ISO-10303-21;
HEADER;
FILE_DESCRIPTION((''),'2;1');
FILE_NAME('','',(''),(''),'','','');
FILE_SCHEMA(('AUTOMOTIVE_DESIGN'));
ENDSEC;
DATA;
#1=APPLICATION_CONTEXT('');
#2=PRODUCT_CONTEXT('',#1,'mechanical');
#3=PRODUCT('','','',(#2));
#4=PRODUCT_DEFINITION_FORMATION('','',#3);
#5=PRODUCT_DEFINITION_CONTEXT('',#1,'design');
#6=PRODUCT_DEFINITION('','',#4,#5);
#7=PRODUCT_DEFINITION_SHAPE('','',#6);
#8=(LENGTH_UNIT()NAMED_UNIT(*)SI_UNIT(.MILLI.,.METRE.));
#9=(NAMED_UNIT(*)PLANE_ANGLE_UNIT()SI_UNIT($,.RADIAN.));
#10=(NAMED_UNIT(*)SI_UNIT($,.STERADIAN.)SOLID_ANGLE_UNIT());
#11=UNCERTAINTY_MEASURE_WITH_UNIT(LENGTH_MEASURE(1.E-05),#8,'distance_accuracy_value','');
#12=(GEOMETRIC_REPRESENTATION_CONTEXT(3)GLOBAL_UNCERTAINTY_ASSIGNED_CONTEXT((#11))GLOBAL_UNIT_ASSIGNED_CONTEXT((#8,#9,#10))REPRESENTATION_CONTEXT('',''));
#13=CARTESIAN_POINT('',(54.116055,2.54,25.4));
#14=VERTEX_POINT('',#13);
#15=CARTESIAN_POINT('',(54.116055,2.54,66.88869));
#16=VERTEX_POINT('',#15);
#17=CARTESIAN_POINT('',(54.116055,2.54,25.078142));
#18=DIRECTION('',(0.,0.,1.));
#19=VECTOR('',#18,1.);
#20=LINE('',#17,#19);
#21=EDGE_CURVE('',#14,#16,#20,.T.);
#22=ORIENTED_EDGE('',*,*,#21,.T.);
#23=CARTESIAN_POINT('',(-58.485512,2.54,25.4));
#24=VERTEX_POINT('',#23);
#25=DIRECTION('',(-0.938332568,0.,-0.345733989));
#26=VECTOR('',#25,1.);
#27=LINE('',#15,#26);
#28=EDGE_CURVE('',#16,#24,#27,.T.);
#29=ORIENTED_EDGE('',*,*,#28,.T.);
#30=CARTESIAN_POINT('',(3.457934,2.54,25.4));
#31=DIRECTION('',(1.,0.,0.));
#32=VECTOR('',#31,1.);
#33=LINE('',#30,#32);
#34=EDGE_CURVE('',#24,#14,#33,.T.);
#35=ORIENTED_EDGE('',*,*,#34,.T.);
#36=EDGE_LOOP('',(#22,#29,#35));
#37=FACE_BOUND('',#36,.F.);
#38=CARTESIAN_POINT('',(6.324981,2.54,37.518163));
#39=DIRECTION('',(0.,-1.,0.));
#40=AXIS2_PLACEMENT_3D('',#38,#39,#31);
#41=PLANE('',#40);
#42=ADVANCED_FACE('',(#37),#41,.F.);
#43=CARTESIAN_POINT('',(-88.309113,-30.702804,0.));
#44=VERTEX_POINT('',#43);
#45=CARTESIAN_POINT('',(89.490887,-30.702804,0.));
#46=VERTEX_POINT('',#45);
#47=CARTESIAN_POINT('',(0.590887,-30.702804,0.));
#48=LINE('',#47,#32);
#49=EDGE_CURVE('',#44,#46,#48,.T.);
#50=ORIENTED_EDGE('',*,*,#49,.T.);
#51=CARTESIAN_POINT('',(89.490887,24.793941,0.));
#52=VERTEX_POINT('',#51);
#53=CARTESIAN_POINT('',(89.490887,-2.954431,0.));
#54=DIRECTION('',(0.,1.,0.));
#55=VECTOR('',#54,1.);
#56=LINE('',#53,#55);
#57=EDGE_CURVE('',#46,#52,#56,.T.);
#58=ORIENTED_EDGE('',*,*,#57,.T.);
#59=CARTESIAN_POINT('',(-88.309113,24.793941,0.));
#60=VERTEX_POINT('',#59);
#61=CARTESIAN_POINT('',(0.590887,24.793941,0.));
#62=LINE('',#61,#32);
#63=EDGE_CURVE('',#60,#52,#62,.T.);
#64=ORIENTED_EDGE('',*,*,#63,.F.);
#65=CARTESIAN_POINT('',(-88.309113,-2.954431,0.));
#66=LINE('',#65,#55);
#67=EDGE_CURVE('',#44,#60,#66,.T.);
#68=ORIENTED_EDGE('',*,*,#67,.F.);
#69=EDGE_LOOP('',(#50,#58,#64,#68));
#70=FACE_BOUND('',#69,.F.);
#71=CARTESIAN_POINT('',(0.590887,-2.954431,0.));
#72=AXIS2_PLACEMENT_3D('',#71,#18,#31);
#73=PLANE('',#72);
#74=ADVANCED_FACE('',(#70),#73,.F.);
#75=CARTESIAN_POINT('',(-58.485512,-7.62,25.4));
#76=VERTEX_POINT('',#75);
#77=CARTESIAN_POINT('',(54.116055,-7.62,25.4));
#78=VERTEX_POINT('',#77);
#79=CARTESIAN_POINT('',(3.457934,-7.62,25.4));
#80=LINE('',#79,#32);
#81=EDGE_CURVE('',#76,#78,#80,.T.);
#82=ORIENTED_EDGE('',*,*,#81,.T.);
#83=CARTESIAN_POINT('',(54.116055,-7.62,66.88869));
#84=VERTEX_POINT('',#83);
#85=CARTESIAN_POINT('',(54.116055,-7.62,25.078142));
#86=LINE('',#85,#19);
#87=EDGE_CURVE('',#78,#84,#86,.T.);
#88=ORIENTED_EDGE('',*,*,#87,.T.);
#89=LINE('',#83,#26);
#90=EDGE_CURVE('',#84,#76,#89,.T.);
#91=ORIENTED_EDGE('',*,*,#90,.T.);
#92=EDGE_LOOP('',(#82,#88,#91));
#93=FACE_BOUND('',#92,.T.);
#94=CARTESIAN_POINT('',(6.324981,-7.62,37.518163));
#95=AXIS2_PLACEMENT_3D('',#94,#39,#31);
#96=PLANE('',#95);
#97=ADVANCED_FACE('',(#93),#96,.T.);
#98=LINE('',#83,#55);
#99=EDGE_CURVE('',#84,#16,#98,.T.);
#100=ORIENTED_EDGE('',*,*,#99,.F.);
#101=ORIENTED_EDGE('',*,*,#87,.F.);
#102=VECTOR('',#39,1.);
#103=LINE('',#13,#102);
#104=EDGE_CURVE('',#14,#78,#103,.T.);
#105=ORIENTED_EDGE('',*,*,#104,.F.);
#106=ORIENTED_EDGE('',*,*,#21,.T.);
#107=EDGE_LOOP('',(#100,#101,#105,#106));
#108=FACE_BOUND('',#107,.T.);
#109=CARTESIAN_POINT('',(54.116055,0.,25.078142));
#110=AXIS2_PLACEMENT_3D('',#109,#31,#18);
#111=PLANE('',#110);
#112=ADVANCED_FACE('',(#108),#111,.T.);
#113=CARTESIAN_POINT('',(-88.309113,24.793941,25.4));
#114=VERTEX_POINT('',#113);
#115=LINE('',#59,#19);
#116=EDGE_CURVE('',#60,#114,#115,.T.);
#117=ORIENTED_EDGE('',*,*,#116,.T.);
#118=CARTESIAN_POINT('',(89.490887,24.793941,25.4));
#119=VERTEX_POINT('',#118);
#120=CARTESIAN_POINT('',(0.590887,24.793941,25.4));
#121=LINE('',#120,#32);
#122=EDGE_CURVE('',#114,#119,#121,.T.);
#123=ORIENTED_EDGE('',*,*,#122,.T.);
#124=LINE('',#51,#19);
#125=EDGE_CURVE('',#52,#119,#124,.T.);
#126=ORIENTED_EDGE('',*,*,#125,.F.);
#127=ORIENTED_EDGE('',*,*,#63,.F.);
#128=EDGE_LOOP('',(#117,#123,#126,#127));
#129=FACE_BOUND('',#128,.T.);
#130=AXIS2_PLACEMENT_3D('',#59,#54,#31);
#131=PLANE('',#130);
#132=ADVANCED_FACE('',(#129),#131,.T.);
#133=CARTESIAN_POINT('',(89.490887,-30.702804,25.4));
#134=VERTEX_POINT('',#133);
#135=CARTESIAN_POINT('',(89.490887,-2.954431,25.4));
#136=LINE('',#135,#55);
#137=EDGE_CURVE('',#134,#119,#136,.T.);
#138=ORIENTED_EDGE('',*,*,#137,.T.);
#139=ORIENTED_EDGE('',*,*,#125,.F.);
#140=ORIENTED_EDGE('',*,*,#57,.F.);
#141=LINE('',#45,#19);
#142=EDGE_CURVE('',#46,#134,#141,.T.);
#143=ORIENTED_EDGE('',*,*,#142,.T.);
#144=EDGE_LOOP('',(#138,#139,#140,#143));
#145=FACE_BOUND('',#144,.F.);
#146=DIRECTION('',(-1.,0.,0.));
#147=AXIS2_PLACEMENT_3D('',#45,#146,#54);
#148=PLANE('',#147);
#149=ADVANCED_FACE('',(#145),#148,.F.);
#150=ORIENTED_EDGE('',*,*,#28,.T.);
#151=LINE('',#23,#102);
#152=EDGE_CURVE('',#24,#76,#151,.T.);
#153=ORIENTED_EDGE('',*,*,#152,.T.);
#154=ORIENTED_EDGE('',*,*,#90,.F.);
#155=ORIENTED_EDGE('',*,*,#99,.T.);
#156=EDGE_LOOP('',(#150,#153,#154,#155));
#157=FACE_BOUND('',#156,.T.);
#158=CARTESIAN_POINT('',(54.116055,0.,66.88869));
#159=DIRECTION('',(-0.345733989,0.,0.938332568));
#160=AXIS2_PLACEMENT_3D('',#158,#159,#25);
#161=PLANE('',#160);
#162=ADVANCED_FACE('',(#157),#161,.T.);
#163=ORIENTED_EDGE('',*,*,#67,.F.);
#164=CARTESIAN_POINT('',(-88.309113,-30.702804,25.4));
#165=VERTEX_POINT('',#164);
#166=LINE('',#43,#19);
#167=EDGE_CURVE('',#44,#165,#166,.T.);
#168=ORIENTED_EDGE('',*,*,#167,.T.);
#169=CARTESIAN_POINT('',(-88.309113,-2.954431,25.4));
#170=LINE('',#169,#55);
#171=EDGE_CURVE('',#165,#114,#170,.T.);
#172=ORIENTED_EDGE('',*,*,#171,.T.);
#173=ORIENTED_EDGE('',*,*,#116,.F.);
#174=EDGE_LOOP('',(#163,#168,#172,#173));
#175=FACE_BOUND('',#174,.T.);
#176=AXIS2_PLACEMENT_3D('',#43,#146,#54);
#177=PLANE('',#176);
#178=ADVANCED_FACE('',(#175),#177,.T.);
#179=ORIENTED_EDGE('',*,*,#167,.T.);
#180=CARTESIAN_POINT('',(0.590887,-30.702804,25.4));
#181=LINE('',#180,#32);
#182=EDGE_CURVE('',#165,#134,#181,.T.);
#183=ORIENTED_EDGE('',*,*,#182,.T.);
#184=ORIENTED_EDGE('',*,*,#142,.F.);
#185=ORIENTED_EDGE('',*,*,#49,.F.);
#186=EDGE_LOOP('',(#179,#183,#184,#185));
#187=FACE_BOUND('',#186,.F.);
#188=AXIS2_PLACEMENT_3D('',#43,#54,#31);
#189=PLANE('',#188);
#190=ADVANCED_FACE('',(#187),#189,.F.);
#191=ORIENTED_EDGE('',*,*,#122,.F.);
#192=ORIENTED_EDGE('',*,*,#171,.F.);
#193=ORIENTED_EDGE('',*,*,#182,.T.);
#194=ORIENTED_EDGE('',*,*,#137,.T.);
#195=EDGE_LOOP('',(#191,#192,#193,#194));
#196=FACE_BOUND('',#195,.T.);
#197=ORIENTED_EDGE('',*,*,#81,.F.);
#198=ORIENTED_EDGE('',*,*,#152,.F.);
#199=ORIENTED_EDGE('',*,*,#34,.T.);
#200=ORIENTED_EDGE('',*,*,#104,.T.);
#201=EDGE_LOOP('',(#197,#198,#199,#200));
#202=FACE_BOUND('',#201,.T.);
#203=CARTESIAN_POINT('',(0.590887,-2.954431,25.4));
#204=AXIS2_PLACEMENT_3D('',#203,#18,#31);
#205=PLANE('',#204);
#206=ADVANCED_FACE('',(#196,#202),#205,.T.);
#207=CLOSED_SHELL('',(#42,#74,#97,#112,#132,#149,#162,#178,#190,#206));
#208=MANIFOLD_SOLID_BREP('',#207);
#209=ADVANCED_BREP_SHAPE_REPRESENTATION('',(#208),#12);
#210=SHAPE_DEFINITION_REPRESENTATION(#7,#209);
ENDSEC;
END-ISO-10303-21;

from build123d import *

# Parameters (mm, degrees)
F0_W          = 177.8
F0_H          = 55.496745
F1_DEPTH      = 25.4
F3_DEPTH      = 7.62
F3_DEPTH_BACK = 2.54


with BuildPart() as f1:
    # F0 (on Top) → F1 (new body)
    with BuildSketch(Plane.XY):
        with Locations((0.590887, -2.954431)):
            Rectangle(F0_W, F0_H)
    extrude(amount=F1_DEPTH)

    # F2 (on Front) → F3 (join, two sides)
    with BuildSketch(Plane.XZ) as f3_sk:
        Polygon((54.116055, 66.88869), (-58.625646, 25.348367), (54.116055, 25.078142), align=None)
    extrude(amount=F3_DEPTH)
    extrude(f3_sk.sketch, amount=-F3_DEPTH_BACK)


solid = f1.part
